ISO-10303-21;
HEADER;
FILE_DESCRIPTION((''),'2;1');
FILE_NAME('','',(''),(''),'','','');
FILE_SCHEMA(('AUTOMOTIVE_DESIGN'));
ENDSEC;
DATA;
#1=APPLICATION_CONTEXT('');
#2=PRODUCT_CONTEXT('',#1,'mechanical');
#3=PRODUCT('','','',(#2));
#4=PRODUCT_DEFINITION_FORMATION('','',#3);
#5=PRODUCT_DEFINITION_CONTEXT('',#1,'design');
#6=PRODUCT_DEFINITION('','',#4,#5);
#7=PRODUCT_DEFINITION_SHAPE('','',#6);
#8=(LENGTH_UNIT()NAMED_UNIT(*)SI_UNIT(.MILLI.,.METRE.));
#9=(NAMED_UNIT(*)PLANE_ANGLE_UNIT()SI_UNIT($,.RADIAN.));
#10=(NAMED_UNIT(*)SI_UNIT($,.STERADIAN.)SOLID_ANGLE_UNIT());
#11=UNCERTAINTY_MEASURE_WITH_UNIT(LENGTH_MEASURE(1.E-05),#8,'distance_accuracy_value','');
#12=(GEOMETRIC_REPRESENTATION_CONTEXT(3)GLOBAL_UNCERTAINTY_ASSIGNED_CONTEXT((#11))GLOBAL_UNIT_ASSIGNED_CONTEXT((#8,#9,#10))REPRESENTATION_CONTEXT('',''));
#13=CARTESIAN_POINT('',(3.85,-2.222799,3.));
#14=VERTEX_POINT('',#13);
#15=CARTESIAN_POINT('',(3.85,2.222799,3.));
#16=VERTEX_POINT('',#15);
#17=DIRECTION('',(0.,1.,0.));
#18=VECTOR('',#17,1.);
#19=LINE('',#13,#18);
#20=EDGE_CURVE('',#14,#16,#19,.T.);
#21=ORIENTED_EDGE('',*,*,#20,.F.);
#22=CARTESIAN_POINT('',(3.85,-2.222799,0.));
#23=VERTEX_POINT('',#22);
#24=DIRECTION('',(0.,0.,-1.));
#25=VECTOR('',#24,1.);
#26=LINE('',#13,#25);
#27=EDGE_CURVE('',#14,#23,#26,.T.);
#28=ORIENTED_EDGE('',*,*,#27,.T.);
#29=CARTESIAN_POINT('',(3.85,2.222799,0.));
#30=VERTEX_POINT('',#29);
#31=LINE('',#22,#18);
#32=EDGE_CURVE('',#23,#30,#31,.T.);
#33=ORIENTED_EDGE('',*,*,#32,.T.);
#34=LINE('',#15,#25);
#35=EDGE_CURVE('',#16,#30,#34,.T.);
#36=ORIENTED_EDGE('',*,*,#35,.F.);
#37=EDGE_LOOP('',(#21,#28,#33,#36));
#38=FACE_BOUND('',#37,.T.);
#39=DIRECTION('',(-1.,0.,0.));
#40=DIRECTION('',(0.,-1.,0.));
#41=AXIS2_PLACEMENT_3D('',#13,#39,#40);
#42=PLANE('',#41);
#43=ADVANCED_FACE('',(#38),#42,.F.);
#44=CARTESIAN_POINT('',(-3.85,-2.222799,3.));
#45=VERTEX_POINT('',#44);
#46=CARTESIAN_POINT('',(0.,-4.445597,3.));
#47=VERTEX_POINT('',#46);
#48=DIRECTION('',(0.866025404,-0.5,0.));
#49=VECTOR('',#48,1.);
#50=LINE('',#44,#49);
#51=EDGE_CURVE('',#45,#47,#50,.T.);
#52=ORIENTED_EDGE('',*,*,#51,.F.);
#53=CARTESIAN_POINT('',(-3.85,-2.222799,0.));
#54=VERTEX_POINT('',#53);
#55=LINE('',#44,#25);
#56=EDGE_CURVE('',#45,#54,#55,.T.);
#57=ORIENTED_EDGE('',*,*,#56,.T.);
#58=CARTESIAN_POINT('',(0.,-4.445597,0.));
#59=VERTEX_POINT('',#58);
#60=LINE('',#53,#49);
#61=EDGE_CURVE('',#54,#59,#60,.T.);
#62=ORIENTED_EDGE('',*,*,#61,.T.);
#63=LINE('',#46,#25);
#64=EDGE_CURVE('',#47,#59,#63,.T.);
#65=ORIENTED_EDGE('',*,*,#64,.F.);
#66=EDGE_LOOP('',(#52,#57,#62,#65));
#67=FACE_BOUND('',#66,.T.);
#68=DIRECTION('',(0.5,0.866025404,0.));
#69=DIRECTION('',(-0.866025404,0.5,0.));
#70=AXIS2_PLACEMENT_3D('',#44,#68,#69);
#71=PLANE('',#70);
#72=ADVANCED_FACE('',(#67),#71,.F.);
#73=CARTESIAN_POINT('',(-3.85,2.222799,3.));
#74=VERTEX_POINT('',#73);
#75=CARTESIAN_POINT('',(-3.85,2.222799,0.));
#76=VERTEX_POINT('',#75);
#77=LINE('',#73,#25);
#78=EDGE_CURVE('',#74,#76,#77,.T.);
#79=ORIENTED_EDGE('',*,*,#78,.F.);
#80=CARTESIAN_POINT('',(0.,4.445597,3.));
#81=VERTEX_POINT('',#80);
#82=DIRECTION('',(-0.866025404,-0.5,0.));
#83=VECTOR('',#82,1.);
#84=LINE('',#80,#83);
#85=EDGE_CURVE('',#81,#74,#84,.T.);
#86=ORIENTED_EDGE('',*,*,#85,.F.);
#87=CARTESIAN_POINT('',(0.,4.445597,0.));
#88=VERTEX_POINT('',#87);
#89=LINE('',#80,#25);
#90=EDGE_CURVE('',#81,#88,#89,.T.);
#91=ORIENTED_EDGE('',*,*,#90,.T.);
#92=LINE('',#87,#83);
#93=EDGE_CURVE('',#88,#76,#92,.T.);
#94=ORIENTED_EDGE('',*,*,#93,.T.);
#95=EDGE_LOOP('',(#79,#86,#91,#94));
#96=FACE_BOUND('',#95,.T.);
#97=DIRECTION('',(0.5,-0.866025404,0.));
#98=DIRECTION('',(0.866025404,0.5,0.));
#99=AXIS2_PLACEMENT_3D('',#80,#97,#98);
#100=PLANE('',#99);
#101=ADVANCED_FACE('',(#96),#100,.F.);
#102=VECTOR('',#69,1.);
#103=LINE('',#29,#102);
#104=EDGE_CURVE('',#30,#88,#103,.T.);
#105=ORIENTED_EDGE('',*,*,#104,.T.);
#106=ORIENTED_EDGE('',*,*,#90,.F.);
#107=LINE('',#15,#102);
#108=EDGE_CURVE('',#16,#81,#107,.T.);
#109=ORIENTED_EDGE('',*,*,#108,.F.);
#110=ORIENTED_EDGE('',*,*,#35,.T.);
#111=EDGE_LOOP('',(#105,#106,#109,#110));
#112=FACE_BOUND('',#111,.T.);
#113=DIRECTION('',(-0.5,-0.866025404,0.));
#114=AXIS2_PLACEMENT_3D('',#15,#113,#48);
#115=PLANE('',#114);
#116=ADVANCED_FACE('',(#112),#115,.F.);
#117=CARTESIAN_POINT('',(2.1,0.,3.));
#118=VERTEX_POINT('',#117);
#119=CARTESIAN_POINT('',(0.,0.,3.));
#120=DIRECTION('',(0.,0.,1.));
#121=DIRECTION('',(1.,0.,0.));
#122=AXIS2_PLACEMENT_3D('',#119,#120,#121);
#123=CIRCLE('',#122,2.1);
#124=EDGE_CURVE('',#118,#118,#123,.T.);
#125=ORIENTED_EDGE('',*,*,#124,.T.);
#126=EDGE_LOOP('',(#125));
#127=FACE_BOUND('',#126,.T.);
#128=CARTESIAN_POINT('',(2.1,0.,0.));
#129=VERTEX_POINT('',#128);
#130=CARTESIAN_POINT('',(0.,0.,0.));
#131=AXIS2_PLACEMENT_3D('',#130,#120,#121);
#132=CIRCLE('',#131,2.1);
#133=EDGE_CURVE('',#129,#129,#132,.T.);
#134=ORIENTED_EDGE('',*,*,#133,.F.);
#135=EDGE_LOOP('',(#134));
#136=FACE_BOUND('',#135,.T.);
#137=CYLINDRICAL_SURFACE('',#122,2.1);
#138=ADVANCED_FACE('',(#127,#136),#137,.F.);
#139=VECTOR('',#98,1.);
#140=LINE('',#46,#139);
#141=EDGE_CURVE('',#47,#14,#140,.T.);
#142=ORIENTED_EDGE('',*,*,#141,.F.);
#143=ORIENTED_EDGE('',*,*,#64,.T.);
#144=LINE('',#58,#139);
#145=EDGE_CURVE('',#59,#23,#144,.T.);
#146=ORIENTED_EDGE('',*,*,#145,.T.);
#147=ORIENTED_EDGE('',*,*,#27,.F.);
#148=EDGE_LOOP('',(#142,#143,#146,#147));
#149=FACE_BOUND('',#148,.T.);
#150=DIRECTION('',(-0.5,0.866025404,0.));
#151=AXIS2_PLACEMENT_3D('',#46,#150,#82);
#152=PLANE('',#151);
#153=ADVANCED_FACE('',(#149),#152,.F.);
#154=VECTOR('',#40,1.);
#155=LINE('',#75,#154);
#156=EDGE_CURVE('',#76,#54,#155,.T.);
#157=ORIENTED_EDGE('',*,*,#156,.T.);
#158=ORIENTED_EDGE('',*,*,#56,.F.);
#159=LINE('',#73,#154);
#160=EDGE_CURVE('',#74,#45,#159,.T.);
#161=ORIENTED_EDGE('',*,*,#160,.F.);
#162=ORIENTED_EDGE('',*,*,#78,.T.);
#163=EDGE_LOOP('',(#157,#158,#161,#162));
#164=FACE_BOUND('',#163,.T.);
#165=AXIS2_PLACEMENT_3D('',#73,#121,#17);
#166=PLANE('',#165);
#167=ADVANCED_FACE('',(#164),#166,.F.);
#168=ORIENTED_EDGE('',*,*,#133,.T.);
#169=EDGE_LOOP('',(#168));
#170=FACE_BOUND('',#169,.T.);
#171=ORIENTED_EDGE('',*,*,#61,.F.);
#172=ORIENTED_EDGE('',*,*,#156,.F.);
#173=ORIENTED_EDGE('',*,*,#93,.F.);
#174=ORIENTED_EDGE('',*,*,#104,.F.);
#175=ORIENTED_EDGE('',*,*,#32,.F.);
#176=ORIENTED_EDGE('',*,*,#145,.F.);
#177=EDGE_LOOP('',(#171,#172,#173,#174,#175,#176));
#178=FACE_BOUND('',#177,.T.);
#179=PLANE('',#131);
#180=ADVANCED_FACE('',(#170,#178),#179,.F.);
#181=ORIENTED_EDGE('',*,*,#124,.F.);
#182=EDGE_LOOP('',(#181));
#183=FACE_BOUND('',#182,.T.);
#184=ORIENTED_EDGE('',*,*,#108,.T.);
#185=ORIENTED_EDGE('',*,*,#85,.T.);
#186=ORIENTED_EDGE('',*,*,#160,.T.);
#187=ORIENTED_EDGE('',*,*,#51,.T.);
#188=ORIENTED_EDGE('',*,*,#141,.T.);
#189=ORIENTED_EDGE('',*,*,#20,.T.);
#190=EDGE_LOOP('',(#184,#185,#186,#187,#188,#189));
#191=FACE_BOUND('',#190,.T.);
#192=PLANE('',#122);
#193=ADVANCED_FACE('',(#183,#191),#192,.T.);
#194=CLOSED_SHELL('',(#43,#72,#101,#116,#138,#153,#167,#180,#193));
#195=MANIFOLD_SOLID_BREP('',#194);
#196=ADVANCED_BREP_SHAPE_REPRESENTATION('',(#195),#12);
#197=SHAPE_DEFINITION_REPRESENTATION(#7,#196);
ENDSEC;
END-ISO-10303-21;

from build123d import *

# Parameters (mm, degrees)
BOSS_EXTRUDE1_DEPTH         = 3
TAP_DRILL_FOR_M5X0_8_TAP1_D = 4.2


with BuildPart() as part:
    # Sketch1 → Boss-Extrude1 (new body)
    with BuildSketch(Plane(origin=(0, 0, 0), x_dir=(0, 1, 0), z_dir=(0, 0, 1))):
        Polygon((-4.445597073, 0), (-2.222798536, -3.85), (2.222798536, -3.85), (4.445597073, 0), (2.222798536, 3.85), (-2.222798536, 3.85), align=None)
    extrude(amount=BOSS_EXTRUDE1_DEPTH)

    # Tap Drill for M5x0.8 Tap1 (through all)
    with Locations(Plane.XY.offset(3)):
        with Locations((0, 0)):
            Hole(TAP_DRILL_FOR_M5X0_8_TAP1_D / 2)


solid = part.part
